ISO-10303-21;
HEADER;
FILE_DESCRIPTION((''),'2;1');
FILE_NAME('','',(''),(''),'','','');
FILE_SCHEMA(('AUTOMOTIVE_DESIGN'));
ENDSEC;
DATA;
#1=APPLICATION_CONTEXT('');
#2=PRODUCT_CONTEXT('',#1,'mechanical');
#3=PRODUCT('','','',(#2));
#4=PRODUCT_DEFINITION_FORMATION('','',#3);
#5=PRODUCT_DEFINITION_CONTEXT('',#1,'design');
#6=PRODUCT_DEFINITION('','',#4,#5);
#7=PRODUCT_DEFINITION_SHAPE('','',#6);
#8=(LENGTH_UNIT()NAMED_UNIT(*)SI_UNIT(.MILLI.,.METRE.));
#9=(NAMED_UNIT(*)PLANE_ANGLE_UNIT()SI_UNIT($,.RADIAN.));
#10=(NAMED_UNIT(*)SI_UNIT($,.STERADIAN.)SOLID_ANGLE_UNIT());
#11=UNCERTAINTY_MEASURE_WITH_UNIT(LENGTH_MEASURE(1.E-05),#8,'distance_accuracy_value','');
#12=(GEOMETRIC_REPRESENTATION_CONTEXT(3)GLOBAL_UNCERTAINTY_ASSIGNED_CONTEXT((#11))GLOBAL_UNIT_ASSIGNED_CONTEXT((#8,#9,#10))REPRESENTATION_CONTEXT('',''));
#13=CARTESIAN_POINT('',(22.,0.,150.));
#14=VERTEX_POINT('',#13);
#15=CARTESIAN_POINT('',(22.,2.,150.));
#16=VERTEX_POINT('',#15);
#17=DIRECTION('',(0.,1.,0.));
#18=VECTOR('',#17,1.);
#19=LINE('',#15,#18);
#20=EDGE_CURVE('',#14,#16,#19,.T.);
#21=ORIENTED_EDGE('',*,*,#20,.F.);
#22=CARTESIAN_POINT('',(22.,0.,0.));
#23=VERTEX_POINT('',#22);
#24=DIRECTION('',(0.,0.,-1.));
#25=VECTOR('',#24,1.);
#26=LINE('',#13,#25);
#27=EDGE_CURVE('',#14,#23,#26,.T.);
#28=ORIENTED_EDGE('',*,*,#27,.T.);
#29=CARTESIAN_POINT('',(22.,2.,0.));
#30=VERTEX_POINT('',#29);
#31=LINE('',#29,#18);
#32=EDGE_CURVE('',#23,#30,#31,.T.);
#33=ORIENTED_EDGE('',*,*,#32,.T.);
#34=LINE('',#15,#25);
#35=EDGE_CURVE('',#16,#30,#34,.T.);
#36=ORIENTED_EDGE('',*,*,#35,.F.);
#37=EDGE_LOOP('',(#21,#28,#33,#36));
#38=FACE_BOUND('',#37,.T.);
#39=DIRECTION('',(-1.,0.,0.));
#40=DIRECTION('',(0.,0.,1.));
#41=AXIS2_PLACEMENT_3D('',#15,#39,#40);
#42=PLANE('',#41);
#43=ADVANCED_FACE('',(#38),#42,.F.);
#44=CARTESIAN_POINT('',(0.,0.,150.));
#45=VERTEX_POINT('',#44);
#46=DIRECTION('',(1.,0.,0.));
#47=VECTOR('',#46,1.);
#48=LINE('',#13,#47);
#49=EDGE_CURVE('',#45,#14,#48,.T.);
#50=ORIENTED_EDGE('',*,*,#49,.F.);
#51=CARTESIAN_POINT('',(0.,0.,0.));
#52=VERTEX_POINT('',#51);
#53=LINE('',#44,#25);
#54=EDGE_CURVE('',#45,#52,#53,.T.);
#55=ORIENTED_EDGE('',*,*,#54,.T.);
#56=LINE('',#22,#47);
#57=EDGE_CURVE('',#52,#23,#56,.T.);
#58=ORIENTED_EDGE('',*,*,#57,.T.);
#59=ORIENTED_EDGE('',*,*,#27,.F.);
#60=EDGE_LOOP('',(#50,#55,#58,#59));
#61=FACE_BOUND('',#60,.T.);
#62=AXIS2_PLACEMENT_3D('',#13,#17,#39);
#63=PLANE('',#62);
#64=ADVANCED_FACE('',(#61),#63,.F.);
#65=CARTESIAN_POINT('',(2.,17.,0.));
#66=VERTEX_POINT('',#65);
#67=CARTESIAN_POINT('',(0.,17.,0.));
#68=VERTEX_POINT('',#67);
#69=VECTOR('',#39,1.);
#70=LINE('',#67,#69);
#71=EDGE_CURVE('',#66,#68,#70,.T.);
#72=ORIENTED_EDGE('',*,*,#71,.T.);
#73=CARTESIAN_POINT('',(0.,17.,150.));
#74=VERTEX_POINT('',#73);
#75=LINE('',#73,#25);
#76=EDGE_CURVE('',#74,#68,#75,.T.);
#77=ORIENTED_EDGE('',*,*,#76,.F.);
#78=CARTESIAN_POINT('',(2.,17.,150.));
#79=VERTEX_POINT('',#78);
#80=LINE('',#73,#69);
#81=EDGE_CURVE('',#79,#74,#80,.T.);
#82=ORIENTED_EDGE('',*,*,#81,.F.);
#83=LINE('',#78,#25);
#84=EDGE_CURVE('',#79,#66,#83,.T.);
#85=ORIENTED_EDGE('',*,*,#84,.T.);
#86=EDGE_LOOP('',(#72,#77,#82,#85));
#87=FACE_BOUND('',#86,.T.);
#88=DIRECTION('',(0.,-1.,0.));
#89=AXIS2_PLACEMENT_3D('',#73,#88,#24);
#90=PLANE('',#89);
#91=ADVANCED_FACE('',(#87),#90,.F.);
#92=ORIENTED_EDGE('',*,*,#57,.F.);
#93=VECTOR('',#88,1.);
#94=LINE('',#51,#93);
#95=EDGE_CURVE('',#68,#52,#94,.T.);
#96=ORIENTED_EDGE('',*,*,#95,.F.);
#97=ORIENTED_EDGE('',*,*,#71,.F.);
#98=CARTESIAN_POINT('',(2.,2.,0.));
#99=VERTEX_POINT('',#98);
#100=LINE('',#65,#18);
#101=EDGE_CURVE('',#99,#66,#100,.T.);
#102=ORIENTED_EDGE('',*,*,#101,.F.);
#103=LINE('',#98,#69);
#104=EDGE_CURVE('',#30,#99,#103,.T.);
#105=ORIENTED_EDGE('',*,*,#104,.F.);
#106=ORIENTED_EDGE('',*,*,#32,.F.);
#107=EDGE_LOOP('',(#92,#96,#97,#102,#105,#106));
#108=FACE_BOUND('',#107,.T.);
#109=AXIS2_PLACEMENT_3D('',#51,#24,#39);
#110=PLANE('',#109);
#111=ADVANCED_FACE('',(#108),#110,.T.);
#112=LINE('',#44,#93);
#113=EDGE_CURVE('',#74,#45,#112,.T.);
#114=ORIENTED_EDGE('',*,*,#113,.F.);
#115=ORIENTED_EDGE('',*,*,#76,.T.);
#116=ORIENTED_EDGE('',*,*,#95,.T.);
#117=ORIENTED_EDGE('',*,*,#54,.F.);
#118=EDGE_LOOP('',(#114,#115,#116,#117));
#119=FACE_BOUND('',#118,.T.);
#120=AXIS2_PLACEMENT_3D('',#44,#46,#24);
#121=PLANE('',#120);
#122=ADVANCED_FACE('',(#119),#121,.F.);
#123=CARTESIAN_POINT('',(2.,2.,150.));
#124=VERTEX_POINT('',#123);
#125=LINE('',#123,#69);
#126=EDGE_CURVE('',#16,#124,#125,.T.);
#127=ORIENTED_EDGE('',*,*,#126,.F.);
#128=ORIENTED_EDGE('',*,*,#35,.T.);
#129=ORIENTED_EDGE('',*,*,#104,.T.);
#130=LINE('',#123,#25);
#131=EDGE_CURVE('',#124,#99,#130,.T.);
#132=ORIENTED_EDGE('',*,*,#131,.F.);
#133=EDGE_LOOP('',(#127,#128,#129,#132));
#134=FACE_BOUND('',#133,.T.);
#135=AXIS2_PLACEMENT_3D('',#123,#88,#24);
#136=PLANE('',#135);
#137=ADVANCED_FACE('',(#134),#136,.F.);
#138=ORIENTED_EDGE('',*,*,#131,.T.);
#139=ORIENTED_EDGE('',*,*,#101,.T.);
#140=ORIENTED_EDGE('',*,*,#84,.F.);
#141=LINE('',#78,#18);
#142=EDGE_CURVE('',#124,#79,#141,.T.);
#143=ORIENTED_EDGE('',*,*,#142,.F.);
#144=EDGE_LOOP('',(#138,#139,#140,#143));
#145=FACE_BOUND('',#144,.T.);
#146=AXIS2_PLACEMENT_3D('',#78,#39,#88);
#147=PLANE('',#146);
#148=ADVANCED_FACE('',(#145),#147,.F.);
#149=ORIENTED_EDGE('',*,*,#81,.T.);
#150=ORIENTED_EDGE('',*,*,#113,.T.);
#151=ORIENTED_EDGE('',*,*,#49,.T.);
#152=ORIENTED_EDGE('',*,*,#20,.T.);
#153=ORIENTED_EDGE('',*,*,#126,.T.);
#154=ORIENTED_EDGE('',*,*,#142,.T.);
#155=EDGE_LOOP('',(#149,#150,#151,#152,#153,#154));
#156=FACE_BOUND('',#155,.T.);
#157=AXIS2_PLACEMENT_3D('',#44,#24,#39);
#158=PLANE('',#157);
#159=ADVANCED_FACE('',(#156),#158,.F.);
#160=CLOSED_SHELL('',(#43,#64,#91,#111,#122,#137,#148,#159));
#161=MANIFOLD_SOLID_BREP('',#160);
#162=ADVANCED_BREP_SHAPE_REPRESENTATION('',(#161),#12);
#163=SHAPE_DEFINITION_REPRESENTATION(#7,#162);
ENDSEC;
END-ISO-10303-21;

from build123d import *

# Parameters (mm, degrees)
BOSS_EXTRUDE1_DEPTH = 150


with BuildPart() as part:
    # Sketch1 → Boss-Extrude1 (new body)
    with BuildSketch(Plane.XY):
        Polygon((0, 0), (0, 17), (2, 17), (2, 2), (22, 2), (22, 0), align=None)
    extrude(amount=BOSS_EXTRUDE1_DEPTH)


solid = part.part
